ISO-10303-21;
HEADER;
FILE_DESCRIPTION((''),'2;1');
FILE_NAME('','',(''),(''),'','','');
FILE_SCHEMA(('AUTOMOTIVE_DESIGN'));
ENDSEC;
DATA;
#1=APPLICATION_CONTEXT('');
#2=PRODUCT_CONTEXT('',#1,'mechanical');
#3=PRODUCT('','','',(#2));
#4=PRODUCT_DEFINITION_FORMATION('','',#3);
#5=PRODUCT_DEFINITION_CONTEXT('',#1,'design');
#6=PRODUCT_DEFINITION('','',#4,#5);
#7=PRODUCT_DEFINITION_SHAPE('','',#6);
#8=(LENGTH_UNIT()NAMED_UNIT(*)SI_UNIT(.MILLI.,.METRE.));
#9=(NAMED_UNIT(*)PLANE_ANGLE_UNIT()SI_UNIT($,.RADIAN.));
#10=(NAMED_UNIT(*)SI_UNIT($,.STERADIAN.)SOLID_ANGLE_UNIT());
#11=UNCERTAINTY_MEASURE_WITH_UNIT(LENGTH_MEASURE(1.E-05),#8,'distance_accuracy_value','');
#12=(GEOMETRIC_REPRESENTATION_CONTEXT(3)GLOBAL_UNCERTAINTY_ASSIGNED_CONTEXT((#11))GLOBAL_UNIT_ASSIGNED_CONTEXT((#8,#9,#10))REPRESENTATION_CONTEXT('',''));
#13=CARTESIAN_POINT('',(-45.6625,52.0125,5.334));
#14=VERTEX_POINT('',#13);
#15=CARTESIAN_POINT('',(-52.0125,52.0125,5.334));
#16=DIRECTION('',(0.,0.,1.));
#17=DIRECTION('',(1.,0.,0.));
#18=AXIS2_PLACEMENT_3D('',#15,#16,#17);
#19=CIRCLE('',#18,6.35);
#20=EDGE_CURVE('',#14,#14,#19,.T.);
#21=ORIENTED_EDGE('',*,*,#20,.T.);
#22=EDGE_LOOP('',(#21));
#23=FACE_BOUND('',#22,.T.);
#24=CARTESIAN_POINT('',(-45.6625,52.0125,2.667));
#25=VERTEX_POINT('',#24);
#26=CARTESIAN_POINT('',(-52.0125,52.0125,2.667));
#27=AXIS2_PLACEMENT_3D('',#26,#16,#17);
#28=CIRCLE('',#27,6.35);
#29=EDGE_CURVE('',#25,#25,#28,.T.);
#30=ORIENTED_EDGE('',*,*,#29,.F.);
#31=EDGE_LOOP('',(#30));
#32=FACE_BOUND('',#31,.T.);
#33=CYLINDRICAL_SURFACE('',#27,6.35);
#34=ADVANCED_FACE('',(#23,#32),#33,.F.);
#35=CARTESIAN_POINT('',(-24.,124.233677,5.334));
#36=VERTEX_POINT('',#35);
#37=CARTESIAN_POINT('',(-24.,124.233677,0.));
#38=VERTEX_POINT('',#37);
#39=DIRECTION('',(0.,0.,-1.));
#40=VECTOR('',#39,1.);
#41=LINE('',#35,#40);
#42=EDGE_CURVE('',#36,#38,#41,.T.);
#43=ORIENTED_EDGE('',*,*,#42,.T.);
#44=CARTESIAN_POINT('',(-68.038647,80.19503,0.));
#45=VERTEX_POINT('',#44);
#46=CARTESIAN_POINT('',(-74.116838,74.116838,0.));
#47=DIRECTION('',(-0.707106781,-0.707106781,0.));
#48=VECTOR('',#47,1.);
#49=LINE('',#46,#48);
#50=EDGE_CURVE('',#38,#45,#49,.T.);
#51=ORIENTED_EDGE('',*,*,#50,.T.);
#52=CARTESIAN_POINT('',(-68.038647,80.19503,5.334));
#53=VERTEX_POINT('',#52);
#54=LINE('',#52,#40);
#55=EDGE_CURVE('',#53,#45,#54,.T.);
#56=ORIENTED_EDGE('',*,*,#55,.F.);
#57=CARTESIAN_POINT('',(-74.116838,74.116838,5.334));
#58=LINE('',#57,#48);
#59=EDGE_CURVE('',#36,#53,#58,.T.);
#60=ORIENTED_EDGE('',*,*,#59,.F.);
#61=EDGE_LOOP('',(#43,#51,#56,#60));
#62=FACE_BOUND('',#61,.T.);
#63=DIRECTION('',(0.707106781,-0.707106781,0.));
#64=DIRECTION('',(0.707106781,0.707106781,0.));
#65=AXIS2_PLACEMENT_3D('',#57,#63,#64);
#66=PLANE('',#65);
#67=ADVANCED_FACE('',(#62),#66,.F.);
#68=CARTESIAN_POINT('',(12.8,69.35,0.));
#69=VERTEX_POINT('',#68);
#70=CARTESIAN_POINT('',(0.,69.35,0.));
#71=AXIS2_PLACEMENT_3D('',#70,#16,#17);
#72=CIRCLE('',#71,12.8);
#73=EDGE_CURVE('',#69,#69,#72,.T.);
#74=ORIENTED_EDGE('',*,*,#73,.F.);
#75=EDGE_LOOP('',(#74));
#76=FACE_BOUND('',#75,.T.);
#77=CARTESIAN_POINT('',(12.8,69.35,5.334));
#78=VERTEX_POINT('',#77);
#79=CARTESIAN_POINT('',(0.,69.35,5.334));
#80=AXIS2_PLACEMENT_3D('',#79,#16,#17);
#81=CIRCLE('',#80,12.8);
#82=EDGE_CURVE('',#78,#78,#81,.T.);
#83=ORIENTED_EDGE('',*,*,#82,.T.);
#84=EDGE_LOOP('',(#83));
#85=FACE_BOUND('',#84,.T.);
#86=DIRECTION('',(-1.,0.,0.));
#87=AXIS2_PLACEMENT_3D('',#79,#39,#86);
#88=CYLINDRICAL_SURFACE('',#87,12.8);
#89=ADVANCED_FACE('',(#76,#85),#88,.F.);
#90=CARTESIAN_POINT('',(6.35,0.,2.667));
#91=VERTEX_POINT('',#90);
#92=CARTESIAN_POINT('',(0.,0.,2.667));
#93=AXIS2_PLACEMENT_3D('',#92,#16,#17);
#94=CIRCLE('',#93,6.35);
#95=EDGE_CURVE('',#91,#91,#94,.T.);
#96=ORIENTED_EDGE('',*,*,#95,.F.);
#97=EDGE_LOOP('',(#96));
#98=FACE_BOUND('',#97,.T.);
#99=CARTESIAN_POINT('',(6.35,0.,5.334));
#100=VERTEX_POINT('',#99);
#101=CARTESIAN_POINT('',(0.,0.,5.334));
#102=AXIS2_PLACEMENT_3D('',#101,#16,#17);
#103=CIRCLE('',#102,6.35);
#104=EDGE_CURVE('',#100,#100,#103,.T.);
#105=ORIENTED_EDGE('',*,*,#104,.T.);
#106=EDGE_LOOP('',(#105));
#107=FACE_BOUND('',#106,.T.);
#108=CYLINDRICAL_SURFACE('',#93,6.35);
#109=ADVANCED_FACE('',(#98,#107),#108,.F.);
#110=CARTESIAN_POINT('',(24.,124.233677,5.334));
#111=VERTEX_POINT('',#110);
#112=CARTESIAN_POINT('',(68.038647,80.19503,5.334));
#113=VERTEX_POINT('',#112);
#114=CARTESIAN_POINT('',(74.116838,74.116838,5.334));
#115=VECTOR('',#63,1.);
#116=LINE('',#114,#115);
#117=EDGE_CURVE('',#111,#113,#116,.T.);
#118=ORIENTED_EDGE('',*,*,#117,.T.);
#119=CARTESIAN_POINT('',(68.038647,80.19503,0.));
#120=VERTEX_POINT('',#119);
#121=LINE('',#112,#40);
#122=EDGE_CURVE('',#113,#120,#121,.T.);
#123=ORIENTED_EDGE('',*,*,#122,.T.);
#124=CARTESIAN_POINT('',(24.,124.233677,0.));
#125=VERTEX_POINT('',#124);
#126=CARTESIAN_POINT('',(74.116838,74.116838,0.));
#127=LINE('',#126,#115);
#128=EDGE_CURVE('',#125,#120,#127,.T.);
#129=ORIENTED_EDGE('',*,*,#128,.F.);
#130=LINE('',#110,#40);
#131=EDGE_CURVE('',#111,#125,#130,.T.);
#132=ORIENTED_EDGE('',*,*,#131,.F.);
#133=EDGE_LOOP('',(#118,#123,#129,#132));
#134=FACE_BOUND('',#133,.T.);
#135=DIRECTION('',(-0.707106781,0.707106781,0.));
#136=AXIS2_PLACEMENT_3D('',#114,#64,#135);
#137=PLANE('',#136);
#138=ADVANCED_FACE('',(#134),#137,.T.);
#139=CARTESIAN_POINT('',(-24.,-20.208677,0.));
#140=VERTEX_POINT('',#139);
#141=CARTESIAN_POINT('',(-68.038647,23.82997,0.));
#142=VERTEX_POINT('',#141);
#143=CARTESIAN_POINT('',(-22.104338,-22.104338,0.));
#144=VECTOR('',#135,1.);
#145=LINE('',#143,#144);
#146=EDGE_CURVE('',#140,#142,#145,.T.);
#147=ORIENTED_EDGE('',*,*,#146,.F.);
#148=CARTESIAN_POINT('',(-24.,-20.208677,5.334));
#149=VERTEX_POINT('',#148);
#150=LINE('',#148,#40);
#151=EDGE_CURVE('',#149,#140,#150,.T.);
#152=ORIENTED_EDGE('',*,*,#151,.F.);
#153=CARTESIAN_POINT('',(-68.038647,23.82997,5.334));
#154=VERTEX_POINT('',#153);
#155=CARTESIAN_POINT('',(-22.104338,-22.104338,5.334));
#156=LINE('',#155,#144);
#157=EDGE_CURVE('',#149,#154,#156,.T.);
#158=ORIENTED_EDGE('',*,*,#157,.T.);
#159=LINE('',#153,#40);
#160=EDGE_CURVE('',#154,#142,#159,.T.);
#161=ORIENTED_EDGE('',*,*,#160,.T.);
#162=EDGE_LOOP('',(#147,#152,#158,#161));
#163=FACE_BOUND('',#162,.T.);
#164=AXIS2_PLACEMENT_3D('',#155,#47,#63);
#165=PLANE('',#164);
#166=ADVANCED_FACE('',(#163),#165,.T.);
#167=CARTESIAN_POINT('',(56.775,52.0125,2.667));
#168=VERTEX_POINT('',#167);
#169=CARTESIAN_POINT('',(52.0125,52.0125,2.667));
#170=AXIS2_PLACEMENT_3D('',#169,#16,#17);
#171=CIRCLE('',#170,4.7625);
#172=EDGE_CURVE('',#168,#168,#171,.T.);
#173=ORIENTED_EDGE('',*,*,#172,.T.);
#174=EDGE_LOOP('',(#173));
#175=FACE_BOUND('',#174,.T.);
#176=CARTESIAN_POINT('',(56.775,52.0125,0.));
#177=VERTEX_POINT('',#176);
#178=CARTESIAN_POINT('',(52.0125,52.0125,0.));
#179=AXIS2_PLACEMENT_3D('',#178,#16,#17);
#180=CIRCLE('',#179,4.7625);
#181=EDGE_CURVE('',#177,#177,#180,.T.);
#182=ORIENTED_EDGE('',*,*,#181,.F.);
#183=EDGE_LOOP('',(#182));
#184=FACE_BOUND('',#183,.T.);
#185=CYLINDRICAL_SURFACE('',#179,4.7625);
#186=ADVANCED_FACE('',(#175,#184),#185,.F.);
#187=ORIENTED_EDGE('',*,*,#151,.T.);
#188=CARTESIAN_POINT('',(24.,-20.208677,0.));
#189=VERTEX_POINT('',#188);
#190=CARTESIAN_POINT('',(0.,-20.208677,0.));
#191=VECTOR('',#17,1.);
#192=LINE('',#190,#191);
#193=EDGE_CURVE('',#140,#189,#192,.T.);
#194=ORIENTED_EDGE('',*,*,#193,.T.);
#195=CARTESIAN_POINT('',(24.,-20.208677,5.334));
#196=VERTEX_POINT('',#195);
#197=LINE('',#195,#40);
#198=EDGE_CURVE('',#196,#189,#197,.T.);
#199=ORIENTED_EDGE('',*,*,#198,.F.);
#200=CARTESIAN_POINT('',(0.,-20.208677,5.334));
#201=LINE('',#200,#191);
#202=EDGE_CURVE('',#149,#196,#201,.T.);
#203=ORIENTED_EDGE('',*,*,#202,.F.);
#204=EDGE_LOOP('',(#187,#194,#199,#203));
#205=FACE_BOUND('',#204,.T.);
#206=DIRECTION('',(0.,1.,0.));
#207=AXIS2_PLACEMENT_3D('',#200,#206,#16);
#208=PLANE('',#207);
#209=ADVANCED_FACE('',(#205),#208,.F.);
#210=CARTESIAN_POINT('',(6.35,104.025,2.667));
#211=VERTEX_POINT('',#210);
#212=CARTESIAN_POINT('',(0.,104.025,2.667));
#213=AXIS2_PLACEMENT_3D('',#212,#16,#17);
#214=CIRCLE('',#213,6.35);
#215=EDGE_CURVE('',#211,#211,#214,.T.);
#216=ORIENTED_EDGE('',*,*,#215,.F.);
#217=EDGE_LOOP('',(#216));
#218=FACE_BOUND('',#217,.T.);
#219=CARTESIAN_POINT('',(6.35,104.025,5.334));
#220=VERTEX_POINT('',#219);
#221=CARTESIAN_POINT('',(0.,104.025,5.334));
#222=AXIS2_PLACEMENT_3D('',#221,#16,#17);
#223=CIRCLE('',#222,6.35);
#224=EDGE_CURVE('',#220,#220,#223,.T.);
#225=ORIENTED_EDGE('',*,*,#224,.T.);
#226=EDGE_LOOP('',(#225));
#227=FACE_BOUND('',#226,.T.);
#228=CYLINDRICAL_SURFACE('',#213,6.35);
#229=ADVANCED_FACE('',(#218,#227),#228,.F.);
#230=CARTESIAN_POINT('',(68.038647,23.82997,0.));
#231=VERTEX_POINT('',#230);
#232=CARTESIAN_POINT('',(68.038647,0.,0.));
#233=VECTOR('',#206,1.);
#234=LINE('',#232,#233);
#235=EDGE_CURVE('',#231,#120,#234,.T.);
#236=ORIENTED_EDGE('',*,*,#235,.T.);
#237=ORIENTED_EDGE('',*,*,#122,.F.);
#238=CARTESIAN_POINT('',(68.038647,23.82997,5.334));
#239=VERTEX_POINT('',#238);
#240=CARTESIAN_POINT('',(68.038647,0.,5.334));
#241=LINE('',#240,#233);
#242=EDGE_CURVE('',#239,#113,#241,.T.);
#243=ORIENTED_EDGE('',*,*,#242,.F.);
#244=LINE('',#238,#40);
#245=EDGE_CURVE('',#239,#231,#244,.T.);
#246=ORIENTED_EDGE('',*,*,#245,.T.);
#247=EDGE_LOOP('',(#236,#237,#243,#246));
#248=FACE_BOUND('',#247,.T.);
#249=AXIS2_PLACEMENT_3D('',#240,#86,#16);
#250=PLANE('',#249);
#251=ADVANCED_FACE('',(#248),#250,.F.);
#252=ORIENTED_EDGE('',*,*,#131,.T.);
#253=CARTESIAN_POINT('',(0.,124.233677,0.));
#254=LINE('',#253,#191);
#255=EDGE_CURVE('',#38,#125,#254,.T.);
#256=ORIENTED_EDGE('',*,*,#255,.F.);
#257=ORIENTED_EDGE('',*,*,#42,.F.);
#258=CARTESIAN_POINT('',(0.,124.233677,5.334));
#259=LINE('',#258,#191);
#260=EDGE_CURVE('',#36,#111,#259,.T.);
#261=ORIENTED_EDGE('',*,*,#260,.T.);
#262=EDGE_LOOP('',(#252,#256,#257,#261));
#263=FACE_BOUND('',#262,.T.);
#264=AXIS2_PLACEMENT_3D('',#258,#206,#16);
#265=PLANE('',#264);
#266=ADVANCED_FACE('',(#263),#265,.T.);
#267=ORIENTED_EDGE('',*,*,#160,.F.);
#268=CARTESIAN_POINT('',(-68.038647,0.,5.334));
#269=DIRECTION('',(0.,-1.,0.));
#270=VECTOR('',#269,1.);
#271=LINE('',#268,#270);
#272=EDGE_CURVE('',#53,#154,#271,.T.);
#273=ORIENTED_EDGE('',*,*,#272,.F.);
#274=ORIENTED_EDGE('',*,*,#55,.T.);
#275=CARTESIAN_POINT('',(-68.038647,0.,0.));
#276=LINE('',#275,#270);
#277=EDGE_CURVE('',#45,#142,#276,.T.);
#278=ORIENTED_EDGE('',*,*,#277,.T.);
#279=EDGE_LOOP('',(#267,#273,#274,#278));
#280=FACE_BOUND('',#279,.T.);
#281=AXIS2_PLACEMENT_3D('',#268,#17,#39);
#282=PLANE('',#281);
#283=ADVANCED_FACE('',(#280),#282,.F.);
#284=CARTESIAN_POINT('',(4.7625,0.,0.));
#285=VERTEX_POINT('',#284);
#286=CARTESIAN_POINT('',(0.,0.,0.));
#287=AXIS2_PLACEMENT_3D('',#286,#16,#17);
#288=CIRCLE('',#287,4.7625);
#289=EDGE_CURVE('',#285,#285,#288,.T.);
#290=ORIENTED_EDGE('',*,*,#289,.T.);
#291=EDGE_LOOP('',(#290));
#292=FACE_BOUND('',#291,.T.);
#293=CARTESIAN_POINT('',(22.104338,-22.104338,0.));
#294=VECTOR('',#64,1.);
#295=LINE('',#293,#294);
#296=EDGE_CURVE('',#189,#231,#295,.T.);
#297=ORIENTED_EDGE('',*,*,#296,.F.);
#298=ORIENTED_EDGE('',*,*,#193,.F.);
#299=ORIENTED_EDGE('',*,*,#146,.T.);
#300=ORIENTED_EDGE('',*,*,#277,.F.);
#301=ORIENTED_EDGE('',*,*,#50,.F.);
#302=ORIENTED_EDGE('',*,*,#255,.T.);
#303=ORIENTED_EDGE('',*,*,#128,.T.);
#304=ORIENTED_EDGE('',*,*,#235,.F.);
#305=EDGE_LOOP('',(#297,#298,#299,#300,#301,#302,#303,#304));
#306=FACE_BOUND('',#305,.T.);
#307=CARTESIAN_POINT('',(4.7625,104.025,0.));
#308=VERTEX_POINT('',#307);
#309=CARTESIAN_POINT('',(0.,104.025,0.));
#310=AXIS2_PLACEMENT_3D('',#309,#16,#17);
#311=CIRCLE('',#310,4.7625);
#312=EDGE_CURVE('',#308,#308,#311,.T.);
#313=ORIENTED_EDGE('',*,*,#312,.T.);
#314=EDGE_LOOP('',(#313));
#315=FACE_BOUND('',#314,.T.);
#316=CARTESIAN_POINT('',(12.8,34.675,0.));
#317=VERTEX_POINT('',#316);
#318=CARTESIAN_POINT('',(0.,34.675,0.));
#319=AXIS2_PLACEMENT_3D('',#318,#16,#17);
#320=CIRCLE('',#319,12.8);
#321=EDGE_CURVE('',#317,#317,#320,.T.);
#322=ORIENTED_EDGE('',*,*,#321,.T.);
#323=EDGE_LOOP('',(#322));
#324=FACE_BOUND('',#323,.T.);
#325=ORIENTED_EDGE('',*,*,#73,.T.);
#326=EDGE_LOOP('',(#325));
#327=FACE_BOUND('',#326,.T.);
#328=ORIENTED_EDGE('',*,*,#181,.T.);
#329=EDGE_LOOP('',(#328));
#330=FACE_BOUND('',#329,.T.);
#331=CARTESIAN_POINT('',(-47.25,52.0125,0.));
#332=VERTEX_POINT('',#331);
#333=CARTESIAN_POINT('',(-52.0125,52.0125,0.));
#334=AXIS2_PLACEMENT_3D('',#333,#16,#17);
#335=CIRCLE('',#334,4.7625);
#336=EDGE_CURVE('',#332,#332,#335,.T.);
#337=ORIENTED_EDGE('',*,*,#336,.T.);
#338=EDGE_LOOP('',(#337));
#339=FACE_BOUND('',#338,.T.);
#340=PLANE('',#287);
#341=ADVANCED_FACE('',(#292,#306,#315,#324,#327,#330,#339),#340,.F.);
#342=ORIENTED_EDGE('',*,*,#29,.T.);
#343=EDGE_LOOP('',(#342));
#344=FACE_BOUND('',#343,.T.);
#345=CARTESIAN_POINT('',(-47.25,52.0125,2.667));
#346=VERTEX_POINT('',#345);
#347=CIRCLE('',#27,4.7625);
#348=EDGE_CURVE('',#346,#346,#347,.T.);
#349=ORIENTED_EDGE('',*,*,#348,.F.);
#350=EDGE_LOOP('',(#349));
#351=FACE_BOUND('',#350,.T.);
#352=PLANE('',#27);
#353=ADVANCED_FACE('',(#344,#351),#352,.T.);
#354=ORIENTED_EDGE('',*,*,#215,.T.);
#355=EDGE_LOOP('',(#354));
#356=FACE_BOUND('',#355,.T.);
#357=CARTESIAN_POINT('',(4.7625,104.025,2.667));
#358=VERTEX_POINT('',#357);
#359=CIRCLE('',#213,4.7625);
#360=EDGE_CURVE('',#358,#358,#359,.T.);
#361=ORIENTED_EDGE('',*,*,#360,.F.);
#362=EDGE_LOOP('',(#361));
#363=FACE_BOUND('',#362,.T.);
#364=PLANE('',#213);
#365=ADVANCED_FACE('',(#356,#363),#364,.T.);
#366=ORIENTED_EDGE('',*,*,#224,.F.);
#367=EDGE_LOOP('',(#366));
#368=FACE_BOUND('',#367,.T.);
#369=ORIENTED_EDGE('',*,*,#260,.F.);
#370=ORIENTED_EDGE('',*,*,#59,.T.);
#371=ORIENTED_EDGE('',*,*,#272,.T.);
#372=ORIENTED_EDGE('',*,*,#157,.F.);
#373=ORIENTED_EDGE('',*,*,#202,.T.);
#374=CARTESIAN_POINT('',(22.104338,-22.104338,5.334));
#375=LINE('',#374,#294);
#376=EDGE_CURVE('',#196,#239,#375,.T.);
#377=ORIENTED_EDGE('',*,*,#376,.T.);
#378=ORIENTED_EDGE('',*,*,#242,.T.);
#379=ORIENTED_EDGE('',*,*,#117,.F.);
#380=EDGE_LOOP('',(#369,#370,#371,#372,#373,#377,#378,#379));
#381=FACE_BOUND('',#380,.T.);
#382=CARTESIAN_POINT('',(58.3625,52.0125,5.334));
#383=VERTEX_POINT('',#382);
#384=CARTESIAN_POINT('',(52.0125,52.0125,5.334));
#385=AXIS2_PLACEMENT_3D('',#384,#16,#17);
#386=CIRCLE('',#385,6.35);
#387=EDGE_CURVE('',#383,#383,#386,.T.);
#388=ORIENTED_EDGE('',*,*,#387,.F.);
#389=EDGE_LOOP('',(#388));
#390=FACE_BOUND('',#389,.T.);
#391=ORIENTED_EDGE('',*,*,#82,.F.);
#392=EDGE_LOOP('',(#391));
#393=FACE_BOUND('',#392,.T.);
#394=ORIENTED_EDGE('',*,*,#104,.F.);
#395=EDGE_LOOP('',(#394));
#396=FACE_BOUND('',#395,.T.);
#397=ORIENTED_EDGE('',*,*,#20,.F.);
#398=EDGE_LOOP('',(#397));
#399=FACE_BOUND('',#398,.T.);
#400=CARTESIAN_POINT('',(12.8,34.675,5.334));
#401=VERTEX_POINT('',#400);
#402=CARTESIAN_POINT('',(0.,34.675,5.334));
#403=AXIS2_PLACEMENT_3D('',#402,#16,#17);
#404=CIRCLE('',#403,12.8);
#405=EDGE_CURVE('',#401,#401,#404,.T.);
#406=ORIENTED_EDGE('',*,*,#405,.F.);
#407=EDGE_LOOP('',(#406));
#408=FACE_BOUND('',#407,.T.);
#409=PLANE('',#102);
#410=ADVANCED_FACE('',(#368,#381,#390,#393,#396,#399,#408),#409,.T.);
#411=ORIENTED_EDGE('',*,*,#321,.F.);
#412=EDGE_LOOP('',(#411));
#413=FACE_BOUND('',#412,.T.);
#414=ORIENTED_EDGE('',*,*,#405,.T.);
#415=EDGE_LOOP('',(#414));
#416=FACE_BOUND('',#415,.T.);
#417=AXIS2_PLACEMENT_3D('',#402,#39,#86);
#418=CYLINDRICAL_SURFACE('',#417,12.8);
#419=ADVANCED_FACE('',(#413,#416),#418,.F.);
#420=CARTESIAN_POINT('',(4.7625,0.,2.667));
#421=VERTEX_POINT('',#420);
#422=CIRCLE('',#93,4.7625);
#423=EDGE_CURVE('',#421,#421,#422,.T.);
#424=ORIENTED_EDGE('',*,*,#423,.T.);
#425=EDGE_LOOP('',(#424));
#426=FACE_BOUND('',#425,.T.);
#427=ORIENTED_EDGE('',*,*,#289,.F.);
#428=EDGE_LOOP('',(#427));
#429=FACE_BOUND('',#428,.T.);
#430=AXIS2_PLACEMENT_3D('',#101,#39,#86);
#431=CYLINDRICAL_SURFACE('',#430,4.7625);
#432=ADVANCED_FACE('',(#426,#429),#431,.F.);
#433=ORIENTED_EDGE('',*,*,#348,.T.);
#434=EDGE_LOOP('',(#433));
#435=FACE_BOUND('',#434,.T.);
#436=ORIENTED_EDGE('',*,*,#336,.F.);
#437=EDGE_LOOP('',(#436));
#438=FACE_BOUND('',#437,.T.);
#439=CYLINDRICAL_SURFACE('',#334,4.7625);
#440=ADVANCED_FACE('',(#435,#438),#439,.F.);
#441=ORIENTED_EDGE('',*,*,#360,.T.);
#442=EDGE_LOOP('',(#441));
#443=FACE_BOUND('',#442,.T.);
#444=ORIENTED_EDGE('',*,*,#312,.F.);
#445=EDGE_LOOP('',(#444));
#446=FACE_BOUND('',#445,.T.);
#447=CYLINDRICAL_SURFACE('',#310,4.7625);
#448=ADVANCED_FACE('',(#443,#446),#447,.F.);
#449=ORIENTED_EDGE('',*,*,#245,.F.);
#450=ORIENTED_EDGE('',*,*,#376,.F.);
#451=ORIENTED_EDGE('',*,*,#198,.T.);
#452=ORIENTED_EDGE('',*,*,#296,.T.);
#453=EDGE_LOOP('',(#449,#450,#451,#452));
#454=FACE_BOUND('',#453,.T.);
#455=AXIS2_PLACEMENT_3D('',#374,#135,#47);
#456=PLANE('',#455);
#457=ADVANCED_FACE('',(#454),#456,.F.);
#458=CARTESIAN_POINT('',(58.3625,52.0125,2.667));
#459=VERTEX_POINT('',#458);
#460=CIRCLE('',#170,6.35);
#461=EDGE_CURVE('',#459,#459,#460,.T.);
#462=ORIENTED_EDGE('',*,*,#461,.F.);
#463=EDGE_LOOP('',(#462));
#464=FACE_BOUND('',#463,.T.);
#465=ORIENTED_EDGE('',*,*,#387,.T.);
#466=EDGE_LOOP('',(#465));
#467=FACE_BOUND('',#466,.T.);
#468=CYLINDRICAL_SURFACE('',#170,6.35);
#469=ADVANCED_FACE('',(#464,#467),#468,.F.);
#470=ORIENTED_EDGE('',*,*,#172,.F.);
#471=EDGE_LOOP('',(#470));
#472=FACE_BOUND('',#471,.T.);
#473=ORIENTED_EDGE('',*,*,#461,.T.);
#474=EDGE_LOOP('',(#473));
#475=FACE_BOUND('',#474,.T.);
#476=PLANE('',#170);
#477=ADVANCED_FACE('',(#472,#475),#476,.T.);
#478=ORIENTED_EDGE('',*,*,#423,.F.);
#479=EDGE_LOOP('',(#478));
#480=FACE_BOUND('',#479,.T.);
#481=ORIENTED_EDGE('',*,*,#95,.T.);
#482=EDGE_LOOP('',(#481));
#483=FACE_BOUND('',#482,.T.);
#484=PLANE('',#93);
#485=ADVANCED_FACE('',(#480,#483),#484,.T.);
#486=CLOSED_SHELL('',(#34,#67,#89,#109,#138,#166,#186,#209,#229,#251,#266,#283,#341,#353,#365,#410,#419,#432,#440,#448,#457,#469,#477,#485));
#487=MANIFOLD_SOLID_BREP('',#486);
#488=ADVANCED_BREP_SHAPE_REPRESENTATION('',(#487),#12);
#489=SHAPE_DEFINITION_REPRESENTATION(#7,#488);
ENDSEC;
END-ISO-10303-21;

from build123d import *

# Parameters (mm, degrees)
SKETCH2_R           = 4.7625
SKETCH2_R_2         = 12.8
BOSS_EXTRUDE2_DEPTH = 5.334
CUT_EXTRUDE3_START  = -2.667
SKETCH3_R           = 6.35
SKETCH3_R_2         = 4.7625
CUT_EXTRUDE3_DEPTH  = 2.667
SKETCH3_2_R         = 4.7625
CUT_EXTRUDE4_DEPTH  = 142.745248595


with BuildPart() as part:
    # Sketch2 → Boss-Extrude2 (new body)
    with BuildSketch(Plane.XY):
        Polygon((-68.038646731, 23.829969758), (-24, -20.208676973), (24, -20.208676973), (68.038646731, 23.829969758), (68.038646731, 80.195030242), (24, 124.233676973), (-24, 124.233676973), (-68.038646731, 80.195030242), align=None)
        Circle(SKETCH2_R, mode=Mode.SUBTRACT)
        with Locations((0, 34.675)):
            Circle(SKETCH2_R_2, mode=Mode.SUBTRACT)
        with Locations((0, 69.35)):
            Circle(SKETCH2_R_2, mode=Mode.SUBTRACT)
    extrude(amount=BOSS_EXTRUDE2_DEPTH)

    # Sketch3 → Cut-Extrude3 (cut)
    # profile 1 of 4: a face of its own
    with BuildSketch(Plane.XY.offset(5.334).offset(CUT_EXTRUDE3_START)):
        Circle(SKETCH3_R)
        Circle(SKETCH3_R_2, mode=Mode.SUBTRACT)
    # profile 2 of 4: a face of its own
    with BuildSketch(Plane.XY.offset(5.334).offset(CUT_EXTRUDE3_START)):
        with Locations((52.0125, 52.0125)):
            Circle(SKETCH3_R)
        with Locations((52.0125, 52.0125)):
            Circle(SKETCH3_R_2, mode=Mode.SUBTRACT)
    # profile 3 of 4: a face of its own
    with BuildSketch(Plane.XY.offset(5.334).offset(CUT_EXTRUDE3_START)):
        with Locations((0, 104.025)):
            Circle(SKETCH3_R)
        with Locations((0, 104.025)):
            Circle(SKETCH3_R_2, mode=Mode.SUBTRACT)
    # profile 4 of 4: a face of its own
    with BuildSketch(Plane.XY.offset(5.334).offset(CUT_EXTRUDE3_START)):
        with Locations((-52.0125, 52.0125)):
            Circle(SKETCH3_R)
        with Locations((-52.0125, 52.0125)):
            Circle(SKETCH3_R_2, mode=Mode.SUBTRACT)
    extrude(amount=CUT_EXTRUDE3_DEPTH, mode=Mode.SUBTRACT)

    # Sketch3_2 → Cut-Extrude4 (cut, through all)
    with BuildSketch(Plane.XY.offset(5.334)):
        with Locations((52.0125, 52.0125)):
            Circle(SKETCH3_2_R)
        with Locations((0, 104.025)):
            Circle(SKETCH3_2_R)
        with Locations((-52.0125, 52.0125)):
            Circle(SKETCH3_2_R)
    extrude(amount=-CUT_EXTRUDE4_DEPTH, mode=Mode.SUBTRACT)


solid = part.part
